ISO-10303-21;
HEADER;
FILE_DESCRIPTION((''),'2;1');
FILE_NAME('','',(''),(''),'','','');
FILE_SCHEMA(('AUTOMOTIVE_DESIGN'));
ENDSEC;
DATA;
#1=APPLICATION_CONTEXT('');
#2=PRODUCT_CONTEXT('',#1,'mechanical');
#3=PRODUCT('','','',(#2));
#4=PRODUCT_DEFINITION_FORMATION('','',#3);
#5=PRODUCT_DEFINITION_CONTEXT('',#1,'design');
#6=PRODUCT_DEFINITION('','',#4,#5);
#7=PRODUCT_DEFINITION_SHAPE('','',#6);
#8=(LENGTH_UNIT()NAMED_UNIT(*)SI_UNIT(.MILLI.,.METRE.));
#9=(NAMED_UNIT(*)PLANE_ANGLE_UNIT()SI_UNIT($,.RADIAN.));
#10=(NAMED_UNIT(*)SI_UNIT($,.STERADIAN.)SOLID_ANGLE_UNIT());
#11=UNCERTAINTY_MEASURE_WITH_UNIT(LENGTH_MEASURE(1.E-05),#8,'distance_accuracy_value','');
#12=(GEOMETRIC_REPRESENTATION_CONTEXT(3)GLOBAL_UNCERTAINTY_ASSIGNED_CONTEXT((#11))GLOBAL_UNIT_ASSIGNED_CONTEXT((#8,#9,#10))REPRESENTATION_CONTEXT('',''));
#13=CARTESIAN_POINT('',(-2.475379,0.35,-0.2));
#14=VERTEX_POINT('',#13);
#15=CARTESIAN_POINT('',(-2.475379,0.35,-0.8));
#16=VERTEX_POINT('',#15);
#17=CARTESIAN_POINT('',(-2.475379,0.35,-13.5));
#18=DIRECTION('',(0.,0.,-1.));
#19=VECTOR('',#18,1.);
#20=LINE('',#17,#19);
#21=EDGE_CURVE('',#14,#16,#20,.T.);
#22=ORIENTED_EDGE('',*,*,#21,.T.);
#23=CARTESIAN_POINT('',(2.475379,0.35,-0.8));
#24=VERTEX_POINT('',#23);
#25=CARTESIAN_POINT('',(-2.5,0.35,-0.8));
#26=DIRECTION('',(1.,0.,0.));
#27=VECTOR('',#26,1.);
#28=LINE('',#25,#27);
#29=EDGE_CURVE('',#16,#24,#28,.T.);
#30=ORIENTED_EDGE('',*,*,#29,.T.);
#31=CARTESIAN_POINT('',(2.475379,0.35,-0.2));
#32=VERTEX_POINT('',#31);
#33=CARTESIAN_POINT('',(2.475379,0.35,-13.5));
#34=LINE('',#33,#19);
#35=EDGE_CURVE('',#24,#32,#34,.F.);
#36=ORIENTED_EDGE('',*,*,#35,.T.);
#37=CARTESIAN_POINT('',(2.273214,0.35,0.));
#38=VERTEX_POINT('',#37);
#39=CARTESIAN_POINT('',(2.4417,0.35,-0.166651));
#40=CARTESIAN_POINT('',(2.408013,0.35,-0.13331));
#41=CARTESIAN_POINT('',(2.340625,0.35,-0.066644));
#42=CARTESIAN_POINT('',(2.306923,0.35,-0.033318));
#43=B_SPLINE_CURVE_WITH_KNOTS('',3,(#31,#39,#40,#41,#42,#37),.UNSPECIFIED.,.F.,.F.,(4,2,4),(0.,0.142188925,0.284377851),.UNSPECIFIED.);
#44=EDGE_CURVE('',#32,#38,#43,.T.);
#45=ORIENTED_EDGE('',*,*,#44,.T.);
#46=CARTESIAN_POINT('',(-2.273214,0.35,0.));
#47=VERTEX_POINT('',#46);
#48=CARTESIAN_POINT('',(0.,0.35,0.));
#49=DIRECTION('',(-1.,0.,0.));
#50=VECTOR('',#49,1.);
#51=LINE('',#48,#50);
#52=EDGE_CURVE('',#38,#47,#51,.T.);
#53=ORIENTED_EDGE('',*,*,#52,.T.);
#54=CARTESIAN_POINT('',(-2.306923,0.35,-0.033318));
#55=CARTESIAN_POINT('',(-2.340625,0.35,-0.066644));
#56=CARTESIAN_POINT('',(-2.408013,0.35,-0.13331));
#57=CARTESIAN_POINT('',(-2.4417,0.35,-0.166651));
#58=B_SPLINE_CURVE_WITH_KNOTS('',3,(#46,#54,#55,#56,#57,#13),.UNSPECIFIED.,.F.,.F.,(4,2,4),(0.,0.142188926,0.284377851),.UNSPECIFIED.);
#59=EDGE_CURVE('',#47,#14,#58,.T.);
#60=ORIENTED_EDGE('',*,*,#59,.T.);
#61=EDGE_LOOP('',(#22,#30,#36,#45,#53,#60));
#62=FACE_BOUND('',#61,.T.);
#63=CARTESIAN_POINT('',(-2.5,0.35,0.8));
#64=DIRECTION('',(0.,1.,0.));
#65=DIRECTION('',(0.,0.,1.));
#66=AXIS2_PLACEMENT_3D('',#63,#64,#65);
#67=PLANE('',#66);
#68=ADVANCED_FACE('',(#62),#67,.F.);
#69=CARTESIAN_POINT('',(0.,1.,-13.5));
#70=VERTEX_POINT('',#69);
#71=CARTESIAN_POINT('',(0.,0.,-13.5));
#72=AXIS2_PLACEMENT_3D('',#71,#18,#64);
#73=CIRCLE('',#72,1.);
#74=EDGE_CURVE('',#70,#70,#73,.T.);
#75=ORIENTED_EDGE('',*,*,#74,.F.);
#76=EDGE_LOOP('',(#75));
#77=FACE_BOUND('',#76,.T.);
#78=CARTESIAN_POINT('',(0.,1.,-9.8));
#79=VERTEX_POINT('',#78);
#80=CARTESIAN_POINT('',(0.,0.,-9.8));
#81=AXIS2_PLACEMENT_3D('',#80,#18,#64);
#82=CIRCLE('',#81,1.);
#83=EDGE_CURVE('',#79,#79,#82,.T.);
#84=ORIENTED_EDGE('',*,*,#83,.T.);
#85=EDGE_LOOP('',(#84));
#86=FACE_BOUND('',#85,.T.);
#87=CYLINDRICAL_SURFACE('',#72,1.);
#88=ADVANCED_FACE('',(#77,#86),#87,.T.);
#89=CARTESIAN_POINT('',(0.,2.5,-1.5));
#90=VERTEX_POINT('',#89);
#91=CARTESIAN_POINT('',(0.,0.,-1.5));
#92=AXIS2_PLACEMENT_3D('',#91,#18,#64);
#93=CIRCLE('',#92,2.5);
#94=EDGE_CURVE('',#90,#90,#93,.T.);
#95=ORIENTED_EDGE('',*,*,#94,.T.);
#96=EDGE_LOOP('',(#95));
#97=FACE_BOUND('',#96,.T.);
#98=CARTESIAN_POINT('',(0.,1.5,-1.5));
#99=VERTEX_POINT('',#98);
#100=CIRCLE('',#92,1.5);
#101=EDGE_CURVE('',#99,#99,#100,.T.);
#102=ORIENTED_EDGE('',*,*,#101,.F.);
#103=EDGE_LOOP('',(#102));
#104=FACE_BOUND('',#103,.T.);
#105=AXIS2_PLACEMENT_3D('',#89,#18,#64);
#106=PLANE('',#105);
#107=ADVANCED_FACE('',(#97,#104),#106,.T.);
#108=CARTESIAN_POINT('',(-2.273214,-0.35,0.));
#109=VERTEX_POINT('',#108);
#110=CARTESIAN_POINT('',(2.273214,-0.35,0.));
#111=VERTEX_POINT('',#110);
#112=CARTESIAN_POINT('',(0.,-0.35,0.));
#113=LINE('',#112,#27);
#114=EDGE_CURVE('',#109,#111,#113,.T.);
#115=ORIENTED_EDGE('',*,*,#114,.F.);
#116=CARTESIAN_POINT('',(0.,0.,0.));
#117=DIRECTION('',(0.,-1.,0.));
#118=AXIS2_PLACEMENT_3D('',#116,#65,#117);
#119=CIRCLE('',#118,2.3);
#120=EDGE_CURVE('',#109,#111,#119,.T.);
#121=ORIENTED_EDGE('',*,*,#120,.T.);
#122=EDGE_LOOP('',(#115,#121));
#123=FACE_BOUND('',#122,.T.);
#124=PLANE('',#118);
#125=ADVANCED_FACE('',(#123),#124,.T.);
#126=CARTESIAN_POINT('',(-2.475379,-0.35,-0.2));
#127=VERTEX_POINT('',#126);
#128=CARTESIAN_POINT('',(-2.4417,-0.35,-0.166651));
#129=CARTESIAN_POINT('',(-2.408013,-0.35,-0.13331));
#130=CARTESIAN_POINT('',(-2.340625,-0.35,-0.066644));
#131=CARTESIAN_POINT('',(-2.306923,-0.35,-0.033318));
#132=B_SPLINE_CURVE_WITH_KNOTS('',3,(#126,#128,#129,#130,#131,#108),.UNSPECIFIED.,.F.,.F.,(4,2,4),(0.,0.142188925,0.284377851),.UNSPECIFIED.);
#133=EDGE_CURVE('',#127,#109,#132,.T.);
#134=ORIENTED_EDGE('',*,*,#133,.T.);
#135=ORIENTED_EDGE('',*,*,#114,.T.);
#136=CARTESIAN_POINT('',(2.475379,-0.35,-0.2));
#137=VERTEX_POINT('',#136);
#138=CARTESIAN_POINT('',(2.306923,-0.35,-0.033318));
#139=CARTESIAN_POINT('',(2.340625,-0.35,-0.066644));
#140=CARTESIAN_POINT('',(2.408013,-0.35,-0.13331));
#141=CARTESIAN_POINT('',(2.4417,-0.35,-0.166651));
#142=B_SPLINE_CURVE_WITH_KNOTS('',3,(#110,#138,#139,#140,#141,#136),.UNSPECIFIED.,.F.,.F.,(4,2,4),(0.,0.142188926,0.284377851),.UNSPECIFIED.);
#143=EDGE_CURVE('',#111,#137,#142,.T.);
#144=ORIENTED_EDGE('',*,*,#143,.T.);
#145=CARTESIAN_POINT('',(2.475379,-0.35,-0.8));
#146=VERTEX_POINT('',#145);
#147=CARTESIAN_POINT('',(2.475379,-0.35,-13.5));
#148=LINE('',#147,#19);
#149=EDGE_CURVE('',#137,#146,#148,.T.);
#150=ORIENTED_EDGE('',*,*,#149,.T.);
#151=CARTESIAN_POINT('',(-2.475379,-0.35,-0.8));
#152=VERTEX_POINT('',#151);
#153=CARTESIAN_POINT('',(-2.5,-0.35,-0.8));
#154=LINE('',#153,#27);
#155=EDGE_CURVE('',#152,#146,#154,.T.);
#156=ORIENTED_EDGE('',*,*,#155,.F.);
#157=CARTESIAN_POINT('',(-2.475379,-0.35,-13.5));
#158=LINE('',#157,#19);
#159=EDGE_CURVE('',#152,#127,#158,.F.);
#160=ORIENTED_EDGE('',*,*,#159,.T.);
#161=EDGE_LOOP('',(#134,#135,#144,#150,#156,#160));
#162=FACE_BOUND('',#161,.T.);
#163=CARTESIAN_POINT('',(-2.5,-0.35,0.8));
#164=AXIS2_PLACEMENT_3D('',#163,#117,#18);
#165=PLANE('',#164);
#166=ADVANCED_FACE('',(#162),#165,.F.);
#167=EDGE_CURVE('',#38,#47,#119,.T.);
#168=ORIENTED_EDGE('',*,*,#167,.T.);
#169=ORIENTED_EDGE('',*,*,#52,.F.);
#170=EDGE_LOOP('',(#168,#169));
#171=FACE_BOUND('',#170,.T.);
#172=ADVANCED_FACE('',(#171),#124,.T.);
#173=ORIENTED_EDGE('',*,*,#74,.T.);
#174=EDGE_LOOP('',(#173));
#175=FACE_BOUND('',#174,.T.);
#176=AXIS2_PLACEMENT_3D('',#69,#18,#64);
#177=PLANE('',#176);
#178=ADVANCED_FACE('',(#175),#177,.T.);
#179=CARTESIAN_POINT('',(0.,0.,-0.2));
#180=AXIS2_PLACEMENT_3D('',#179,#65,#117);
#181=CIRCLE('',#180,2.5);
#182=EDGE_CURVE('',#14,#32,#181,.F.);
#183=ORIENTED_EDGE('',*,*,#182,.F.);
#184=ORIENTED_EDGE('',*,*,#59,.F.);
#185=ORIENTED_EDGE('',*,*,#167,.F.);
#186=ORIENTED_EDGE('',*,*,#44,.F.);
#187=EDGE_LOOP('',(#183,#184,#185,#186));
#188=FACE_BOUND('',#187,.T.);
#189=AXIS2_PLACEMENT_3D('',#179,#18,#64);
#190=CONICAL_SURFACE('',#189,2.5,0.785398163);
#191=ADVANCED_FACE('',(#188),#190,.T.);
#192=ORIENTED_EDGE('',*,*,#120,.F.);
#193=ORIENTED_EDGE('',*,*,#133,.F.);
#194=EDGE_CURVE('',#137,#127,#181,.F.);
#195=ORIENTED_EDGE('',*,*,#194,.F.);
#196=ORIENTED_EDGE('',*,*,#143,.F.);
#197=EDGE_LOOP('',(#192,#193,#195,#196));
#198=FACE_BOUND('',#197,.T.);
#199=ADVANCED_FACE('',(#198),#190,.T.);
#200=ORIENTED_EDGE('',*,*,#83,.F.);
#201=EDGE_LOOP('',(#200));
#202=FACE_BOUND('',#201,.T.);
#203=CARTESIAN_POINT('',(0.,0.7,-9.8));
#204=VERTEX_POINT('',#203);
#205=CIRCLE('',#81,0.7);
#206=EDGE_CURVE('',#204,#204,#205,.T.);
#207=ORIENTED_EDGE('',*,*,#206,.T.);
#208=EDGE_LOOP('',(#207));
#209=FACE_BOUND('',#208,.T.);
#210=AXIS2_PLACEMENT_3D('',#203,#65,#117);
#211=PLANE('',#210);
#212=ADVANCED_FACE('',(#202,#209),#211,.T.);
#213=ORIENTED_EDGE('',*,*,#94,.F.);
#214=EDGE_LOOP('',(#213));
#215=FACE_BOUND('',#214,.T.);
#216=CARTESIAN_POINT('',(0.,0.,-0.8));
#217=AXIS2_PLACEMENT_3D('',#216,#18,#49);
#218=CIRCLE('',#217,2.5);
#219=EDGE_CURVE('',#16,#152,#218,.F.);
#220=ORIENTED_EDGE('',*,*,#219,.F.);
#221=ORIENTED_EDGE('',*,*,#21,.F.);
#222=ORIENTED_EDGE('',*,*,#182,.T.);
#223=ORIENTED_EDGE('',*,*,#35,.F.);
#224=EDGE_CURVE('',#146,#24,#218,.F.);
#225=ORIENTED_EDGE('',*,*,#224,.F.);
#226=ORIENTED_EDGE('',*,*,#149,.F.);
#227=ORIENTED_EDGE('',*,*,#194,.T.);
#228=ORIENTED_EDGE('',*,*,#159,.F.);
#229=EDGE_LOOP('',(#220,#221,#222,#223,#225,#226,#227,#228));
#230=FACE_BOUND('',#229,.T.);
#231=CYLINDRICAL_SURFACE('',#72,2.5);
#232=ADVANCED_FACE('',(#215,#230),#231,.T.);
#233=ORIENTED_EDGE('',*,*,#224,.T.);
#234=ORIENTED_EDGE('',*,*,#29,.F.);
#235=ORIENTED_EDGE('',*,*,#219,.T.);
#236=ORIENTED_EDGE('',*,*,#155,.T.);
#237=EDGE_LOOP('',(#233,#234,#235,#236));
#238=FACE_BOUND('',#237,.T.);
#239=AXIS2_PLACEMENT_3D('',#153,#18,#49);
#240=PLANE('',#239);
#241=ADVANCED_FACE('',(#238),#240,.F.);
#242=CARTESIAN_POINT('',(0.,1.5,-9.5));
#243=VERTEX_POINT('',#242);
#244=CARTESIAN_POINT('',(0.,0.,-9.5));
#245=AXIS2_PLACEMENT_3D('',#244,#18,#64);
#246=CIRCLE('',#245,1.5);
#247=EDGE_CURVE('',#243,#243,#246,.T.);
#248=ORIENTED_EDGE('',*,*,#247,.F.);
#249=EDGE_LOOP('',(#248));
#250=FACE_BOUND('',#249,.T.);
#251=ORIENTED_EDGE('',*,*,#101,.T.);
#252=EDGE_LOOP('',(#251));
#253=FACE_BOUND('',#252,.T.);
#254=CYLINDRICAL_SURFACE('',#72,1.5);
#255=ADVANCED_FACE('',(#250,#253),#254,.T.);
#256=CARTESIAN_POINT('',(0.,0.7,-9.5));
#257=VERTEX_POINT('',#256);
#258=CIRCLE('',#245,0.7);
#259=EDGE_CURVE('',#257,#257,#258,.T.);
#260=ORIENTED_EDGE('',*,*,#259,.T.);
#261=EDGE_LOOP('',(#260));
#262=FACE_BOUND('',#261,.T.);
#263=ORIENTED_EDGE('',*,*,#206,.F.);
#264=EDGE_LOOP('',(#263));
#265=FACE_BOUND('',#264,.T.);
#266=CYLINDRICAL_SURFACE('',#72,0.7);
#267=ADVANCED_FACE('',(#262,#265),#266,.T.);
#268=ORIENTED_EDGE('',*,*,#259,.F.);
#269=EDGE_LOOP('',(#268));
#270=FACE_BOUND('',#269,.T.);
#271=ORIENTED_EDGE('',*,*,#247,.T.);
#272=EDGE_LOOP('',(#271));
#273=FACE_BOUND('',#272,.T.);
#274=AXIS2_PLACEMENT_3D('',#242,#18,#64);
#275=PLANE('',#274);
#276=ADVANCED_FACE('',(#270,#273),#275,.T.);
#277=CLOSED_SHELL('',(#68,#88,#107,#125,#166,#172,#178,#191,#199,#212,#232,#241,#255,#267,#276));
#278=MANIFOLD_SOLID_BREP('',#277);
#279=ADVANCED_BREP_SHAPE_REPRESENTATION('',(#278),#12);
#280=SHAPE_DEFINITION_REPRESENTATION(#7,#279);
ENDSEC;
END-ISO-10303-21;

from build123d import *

# Parameters (mm, degrees)
SKETCH_2_W               = 1.6
SKETCH_2_H               = 0.7
CUT_EXTRUDE_1_DEPTH      = 3.5
CUT_EXTRUDE_1_DEPTH_BACK = 3.5
CHAMFER_1_SIZE           = 0.2


with BuildPart() as part:
    # 草图1 → 旋转1 (revolve)
    with BuildSketch(Plane(origin=(0, 0, 0), x_dir=(0, 0, -1), z_dir=(1, 0, 0))):
        Polygon((0, 0), (0, 2.5), (1.5, 2.5), (1.5, 1.5), (9.5, 1.5), (9.5, 0.7), (9.8, 0.7), (9.8, 1), (13.5, 1), (13.5, 0), align=None)
    revolve(axis=Axis((0, 0, -13.5), (0, 0, 1)))

    # 草图2 → 切除-拉伸1 (cut, two sides)
    with BuildSketch(Plane(origin=(0, 0, 0), x_dir=(0, 0, -1), z_dir=(1, 0, 0))) as cut_extrude_1_sk:
        Rectangle(SKETCH_2_W, SKETCH_2_H)
    extrude(amount=CUT_EXTRUDE_1_DEPTH, mode=Mode.SUBTRACT)
    extrude(cut_extrude_1_sk.sketch, amount=-CUT_EXTRUDE_1_DEPTH_BACK, mode=Mode.SUBTRACT)

    # 倒角1
    chamfer_1_edges = [part.edges().sort_by_distance(p)[0] for p in [
        (0, -2.5, 0),
        (-1.639359631, 1.887458609, 0),
    ]]
    chamfer(chamfer_1_edges, length=CHAMFER_1_SIZE)


solid = part.part
